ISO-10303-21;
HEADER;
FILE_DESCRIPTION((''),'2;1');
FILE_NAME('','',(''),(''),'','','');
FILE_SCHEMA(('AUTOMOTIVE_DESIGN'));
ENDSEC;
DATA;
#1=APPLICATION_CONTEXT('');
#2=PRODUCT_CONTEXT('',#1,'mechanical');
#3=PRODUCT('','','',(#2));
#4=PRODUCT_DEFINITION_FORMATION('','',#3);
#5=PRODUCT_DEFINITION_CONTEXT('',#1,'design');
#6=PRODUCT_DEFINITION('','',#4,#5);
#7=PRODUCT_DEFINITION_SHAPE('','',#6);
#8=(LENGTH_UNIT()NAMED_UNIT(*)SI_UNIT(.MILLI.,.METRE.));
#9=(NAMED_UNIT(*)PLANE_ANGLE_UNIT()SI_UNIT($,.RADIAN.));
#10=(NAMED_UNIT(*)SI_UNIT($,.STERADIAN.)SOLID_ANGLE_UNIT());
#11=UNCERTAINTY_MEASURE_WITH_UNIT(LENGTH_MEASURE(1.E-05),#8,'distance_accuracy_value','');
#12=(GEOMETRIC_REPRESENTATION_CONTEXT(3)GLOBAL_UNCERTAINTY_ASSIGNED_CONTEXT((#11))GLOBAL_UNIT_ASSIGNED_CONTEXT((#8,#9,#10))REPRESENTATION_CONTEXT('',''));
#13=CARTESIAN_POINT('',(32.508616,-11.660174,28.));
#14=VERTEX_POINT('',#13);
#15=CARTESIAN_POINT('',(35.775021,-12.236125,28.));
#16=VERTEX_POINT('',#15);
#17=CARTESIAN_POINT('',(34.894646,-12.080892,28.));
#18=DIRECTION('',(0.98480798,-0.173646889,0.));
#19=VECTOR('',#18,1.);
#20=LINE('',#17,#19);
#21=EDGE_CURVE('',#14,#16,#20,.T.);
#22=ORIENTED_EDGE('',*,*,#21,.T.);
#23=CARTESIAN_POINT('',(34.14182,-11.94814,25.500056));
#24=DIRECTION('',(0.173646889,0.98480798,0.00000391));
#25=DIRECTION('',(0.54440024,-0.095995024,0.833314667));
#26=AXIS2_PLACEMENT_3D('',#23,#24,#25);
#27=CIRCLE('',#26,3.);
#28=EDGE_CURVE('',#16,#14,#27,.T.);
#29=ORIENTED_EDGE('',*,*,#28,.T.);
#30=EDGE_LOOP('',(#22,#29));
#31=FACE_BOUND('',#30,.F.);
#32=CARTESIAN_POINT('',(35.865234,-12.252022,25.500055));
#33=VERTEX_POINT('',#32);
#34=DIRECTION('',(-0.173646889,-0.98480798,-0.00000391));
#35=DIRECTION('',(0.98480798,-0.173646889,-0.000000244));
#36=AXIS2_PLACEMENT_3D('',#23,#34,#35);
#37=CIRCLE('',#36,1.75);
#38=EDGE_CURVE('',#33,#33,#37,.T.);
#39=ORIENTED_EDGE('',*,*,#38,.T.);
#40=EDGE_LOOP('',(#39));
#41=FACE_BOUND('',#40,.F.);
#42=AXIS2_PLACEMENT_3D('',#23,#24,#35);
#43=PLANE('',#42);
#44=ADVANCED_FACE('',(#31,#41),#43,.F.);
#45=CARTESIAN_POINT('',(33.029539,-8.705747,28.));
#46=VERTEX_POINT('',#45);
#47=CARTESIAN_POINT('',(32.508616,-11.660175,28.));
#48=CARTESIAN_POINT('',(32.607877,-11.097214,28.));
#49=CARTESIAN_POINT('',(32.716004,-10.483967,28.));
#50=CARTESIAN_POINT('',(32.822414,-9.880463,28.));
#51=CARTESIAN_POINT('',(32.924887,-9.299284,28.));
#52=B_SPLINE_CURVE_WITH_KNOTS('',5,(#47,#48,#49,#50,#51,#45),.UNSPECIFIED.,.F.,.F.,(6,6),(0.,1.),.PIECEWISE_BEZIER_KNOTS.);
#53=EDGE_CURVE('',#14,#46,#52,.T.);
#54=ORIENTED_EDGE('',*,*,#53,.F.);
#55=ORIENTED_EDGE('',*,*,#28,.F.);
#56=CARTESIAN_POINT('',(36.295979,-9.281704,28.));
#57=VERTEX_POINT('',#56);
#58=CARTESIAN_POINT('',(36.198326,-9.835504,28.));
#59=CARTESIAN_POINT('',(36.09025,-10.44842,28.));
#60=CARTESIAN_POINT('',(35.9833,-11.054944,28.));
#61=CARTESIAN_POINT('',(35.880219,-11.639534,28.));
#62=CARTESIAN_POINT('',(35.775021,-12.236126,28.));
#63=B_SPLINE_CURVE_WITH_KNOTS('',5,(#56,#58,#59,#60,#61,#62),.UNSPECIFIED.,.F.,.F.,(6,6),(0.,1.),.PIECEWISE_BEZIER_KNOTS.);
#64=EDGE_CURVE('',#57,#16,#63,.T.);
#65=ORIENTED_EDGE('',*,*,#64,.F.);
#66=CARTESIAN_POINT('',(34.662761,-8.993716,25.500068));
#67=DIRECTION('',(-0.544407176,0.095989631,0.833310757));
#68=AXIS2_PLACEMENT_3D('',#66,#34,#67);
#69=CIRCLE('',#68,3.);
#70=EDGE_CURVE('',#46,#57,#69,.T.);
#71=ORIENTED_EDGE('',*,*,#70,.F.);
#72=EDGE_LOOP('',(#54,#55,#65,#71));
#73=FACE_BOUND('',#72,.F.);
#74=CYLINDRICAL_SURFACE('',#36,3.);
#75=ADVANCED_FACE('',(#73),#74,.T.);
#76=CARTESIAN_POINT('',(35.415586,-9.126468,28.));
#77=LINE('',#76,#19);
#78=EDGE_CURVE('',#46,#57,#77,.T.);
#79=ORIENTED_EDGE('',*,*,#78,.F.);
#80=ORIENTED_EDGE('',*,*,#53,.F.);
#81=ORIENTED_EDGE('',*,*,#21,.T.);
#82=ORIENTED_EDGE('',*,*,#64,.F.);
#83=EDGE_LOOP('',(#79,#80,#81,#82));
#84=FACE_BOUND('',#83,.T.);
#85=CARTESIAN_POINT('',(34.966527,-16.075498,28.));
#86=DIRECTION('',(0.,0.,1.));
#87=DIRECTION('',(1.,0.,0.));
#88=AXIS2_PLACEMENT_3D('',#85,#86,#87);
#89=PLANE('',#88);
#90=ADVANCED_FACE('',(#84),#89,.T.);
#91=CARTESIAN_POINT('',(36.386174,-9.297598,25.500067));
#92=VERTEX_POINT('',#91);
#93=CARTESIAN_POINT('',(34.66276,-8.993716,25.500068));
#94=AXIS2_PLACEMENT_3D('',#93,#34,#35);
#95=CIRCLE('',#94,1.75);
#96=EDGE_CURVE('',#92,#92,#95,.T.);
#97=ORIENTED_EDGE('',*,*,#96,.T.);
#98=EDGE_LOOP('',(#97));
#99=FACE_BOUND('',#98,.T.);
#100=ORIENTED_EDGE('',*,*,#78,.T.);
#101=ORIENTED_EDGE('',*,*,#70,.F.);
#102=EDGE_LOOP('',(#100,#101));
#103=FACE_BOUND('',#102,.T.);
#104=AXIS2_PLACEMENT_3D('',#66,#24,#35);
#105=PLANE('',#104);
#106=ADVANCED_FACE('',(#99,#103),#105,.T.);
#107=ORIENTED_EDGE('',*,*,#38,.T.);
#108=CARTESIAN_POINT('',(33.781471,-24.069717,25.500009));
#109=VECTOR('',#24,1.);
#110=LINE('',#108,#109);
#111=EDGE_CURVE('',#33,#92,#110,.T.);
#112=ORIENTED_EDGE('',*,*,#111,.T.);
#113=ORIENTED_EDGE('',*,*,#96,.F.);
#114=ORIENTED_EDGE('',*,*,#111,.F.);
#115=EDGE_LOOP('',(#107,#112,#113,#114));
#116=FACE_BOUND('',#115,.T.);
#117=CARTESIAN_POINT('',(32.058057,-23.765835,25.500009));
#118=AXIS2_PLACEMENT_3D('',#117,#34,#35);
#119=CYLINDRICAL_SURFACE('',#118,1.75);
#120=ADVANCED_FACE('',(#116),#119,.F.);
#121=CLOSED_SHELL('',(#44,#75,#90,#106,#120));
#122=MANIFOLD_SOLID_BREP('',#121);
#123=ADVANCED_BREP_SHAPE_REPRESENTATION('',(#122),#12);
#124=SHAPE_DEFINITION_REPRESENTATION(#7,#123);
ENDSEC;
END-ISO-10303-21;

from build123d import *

# Parameters (mm, degrees)
PAD013_DEPTH                = 3
CYLINDER043_R               = 1.75
CYLINDER043_DEPTH           = 18
CYLINDER043_ROLL_ANGLE      = -89.999776
CYLINDER043_PITCH_ANGLE     = 1.4e-05
CYLINDER043_PLACEMENT_ANGLE = -9.999925
CYLINDER041_R               = 3
CYLINDER041_DEPTH           = 3
CYLINDER041_ROLL_ANGLE      = -89.999776
CYLINDER041_PITCH_ANGLE     = 1.4e-05
CYLINDER041_PLACEMENT_ANGLE = -9.999925


with BuildPart() as steg_o001:
    # Sketch013 → Pad013 (new body)
    with BuildSketch(Plane.XY):
        with BuildLine():
            add(Edge.make_bspline(
                [(44.997663, -28.408983), (45.245046, -6.764399), (28.5, -0.316434)],
                knots=[1.556693, 1.556693, 1.556693, 2.83913, 2.83913, 2.83913], degree=2, weights=[1, 0.801368, 1]))
            Line((28.5, -0.316434), (28.5, -25.5))
            Line((28.5, -25.5), (44.997663, -28.408983))
        make_face()
    extrude(amount=PAD013_DEPTH)


with BuildPart() as steg_o001_1:
    # Body015 placement: moved
    add(steg_o001.part.moved(Location((0, 0, 28))))


with BuildPart() as cylinder043:
    # Cylinder043 → Cylinder043 (new body)
    with BuildSketch(Plane.XY):
        Circle(CYLINDER043_R)
    extrude(amount=CYLINDER043_DEPTH)


with BuildPart() as cylinder043_1:
    # Cylinder043 roll: moved
    add(cylinder043.part.rotate(Axis((0, 0, 0), (1, 0, 0)), CYLINDER043_ROLL_ANGLE))


with BuildPart() as cylinder043_2:
    # Cylinder043 pitch: moved
    add(cylinder043_1.part.rotate(Axis((0, 0, 0), (0, 1, 0)), CYLINDER043_PITCH_ANGLE))


with BuildPart() as cylinder043_3:
    # Cylinder043 placement: moved
    add(cylinder043_2.part.moved(Location((32.058057, -23.765835, 25.500009))).rotate(Axis((32.058057, -23.765835, 25.500009), (0, 0, 1)), CYLINDER043_PLACEMENT_ANGLE))


with BuildPart() as cut059:
    # Cylinder041 → Cylinder041 (new body)
    with BuildSketch(Plane.XY):
        Circle(CYLINDER041_R)
    extrude(amount=CYLINDER041_DEPTH)


with BuildPart() as cut059_1:
    # Cylinder041 roll: moved
    add(cut059.part.rotate(Axis((0, 0, 0), (1, 0, 0)), CYLINDER041_ROLL_ANGLE))


with BuildPart() as cut059_2:
    # Cylinder041 pitch: moved
    add(cut059_1.part.rotate(Axis((0, 0, 0), (0, 1, 0)), CYLINDER041_PITCH_ANGLE))


with BuildPart() as cut059_3:
    # Cylinder041 placement: moved
    add(cut059_2.part.moved(Location((34.14182, -11.94814, 25.500056))).rotate(Axis((34.14182, -11.94814, 25.500056), (0, 0, 1)), CYLINDER041_PLACEMENT_ANGLE))

    # Cut039: cut Cylinder043
    add(cylinder043_3.part, mode=Mode.SUBTRACT)

    # Cut059: cut steg_O001
    add(steg_o001_1.part, mode=Mode.SUBTRACT)


solid = cut059_3.part
